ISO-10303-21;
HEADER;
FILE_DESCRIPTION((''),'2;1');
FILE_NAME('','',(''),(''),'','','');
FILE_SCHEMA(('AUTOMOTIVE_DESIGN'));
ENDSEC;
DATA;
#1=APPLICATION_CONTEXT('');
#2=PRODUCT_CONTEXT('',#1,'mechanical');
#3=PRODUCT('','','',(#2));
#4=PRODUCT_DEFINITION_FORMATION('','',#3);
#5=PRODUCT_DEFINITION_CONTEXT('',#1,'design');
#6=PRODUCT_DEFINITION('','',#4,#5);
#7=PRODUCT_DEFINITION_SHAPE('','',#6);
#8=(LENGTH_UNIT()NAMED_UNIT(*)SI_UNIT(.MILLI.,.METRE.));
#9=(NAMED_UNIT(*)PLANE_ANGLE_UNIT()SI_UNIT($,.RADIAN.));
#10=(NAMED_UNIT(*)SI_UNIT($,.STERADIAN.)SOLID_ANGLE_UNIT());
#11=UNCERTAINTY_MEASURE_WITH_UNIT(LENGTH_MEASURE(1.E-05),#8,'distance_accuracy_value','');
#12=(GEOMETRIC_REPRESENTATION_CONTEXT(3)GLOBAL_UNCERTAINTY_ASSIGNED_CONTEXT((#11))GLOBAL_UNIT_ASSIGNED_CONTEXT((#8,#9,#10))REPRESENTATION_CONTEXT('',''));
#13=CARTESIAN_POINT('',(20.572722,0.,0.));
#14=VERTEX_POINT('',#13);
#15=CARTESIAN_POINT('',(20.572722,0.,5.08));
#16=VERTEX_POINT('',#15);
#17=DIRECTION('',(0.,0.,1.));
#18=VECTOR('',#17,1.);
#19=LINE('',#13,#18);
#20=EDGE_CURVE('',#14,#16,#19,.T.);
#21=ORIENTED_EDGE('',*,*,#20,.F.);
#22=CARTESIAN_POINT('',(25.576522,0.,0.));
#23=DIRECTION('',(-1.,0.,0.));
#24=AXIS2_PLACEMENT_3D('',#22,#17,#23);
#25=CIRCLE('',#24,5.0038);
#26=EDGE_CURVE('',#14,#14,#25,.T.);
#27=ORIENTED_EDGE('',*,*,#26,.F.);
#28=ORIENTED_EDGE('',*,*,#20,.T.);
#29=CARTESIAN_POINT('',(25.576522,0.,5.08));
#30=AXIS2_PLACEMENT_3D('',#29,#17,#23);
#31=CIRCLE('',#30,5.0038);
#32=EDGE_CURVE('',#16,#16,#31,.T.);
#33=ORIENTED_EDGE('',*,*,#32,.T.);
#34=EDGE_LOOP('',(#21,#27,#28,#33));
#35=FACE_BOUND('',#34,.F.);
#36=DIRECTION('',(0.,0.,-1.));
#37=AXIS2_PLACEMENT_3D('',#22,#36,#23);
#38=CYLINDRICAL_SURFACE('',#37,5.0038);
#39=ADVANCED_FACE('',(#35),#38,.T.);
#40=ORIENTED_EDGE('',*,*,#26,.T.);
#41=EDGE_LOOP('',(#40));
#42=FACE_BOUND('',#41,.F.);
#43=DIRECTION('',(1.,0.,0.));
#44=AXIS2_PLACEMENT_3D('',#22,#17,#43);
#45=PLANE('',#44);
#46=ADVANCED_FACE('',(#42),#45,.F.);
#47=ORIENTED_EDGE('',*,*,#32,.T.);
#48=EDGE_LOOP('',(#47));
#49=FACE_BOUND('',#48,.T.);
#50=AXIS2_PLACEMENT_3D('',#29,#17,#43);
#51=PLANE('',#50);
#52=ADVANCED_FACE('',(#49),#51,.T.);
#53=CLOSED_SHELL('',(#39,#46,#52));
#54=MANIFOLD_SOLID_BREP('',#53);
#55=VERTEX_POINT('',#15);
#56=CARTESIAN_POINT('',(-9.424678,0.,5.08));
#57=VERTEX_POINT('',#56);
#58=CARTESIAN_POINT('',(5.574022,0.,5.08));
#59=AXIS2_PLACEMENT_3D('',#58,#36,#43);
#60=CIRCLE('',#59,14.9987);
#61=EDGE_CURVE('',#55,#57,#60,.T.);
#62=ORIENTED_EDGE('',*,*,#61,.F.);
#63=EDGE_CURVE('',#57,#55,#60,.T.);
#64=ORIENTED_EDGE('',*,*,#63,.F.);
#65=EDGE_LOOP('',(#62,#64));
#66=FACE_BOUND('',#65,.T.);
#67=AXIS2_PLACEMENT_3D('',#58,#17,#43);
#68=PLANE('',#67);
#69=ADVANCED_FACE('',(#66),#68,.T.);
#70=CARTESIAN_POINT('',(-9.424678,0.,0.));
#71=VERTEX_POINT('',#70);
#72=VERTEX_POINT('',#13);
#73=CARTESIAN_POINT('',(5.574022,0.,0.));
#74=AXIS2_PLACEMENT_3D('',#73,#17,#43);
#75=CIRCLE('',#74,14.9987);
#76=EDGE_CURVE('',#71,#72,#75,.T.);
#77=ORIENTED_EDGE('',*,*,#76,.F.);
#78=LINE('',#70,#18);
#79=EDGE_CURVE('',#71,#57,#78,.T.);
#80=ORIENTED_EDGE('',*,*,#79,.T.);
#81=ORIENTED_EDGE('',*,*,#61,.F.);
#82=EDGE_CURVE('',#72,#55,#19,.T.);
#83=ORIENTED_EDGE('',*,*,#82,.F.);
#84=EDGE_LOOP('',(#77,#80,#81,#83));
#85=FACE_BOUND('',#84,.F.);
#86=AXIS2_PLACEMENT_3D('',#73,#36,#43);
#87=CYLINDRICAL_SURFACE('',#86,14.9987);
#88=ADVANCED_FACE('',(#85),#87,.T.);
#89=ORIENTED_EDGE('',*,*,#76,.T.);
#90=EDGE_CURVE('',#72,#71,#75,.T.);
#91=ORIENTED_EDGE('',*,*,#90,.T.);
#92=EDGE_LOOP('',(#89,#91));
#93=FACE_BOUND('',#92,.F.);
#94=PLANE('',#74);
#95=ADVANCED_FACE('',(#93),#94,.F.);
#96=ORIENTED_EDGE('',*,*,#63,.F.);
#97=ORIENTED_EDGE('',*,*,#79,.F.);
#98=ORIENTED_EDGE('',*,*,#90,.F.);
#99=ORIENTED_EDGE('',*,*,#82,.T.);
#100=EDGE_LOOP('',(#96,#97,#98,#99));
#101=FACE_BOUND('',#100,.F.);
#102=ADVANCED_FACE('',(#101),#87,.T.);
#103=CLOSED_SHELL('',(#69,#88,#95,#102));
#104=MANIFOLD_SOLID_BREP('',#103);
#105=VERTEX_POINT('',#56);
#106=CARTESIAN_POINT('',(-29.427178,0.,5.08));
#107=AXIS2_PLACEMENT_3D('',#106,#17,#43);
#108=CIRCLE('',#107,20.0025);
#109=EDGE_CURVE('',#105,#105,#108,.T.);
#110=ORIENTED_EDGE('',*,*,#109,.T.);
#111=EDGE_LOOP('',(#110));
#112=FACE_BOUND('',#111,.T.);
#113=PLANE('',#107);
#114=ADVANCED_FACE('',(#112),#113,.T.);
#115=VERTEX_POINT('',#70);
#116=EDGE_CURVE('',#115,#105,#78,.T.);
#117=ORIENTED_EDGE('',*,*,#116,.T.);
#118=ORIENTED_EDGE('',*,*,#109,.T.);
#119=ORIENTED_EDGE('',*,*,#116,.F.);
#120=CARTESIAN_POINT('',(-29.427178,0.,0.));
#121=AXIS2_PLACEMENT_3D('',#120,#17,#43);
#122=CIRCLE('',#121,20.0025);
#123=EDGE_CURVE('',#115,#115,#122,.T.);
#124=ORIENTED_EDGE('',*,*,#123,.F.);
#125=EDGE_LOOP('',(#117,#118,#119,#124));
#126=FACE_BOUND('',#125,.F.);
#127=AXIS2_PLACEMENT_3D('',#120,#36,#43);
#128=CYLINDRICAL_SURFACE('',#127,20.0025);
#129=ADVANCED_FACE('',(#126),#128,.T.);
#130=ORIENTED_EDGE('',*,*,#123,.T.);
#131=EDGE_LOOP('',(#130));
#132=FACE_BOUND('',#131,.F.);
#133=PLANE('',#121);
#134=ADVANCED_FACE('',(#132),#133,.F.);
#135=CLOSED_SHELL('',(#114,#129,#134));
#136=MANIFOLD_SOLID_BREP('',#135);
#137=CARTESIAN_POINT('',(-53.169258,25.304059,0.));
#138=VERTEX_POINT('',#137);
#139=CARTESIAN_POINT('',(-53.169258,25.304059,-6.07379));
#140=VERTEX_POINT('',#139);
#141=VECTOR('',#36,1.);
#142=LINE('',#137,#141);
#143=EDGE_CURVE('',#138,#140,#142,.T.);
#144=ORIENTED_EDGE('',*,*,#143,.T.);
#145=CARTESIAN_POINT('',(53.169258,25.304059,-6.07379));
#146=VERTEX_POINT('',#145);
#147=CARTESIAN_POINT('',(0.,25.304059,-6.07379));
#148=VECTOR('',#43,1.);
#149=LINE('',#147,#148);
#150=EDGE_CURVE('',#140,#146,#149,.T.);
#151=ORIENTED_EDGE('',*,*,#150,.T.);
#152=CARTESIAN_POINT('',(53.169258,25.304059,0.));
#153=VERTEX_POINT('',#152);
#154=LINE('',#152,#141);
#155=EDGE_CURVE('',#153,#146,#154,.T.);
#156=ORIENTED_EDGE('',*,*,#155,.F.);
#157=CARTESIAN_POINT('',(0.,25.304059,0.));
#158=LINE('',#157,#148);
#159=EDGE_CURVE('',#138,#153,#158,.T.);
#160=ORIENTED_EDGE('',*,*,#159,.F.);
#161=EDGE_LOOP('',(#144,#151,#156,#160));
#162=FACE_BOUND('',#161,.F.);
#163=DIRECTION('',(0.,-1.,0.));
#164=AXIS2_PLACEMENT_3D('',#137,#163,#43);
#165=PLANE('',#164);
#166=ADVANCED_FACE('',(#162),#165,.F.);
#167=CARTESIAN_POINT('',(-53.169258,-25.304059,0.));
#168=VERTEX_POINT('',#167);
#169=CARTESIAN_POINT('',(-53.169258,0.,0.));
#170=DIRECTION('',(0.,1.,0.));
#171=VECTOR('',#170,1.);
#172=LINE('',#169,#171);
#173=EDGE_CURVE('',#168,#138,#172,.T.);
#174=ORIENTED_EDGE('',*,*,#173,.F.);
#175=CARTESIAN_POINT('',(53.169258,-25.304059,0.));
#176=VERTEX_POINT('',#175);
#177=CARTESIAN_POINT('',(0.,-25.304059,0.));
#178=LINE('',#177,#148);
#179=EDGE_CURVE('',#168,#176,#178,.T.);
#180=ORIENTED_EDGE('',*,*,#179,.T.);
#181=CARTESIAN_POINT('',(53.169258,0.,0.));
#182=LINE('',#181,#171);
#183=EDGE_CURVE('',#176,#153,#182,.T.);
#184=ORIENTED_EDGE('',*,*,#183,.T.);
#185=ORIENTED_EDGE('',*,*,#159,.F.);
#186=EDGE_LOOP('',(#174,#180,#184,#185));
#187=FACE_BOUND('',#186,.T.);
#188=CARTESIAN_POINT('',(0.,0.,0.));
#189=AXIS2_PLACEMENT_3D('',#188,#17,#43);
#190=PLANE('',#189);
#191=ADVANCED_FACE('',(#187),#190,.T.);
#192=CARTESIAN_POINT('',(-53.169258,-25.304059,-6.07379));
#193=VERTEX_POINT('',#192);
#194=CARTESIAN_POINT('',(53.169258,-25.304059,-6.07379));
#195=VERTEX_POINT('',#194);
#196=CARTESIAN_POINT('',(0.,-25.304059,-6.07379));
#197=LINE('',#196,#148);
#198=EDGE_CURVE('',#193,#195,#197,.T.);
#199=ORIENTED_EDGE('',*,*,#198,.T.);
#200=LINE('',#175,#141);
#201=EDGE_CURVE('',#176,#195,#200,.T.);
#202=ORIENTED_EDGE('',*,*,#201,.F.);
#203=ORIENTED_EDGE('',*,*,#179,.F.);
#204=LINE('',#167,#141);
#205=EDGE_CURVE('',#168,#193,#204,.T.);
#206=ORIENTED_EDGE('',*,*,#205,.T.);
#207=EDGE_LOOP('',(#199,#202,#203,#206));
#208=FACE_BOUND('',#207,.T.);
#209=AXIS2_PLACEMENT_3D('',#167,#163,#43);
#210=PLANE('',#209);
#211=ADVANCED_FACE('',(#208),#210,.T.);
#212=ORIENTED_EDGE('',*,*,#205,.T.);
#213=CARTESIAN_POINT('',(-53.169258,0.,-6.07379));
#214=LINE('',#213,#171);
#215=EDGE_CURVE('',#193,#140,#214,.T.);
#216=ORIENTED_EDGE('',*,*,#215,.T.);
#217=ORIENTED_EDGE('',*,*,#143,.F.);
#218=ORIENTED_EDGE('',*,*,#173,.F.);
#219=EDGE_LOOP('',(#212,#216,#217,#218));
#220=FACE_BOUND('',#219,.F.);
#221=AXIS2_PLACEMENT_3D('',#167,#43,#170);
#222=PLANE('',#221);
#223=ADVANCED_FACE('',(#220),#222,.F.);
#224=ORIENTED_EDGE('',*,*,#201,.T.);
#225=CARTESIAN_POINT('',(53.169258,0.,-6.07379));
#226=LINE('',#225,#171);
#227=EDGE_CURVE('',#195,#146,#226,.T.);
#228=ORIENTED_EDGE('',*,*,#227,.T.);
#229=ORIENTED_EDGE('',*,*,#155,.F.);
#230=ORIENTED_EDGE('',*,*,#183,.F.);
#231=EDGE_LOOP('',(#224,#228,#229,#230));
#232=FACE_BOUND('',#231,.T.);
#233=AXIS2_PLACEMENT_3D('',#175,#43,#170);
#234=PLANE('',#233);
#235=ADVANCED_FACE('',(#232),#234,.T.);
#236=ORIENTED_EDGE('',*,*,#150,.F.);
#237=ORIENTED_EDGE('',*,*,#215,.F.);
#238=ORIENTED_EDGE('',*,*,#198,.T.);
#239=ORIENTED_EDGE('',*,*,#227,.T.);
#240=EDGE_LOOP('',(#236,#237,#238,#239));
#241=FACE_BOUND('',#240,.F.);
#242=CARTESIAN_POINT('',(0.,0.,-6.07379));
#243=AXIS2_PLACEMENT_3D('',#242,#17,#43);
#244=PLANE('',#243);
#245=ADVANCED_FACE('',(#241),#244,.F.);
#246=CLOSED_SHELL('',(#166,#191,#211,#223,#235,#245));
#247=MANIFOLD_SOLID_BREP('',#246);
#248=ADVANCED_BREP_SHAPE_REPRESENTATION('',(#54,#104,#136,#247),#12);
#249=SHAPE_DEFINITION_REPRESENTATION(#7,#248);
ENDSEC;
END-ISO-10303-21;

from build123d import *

# Parameters (mm, degrees)
F1_R     = 20.0025
F2_DEPTH = 5.08
F0_W     = 106.338516
F0_H     = 50.608118
F3_DEPTH = 6.07379


with BuildPart() as f2:
    # F1 (on face) → F2 (new body)
    with BuildSketch(Plane.XY):
        with BuildLine():
            ThreePointArc((30.580322, 0), (25.576522, 5.0038), (20.572722, 0))
            ThreePointArc((20.572722, 0), (25.576522, -5.0038), (30.580322, 0))
        make_face()
        with BuildLine():
            ThreePointArc((20.572722, 0), (5.574022, 14.9987), (-9.424678, 0))
            ThreePointArc((-9.424678, 0), (5.574022, -14.9987), (20.572722, 0))
        make_face()
        with Locations((-29.427178, 0)):
            Circle(F1_R)
    extrude(amount=F2_DEPTH)


with BuildPart() as f3:
    # F0 (on Top) → F3 (new body)
    with BuildSketch(Plane.XY):
        Rectangle(F0_W, F0_H)
    extrude(amount=-F3_DEPTH)


solid = Compound([f2.part, f3.part])
